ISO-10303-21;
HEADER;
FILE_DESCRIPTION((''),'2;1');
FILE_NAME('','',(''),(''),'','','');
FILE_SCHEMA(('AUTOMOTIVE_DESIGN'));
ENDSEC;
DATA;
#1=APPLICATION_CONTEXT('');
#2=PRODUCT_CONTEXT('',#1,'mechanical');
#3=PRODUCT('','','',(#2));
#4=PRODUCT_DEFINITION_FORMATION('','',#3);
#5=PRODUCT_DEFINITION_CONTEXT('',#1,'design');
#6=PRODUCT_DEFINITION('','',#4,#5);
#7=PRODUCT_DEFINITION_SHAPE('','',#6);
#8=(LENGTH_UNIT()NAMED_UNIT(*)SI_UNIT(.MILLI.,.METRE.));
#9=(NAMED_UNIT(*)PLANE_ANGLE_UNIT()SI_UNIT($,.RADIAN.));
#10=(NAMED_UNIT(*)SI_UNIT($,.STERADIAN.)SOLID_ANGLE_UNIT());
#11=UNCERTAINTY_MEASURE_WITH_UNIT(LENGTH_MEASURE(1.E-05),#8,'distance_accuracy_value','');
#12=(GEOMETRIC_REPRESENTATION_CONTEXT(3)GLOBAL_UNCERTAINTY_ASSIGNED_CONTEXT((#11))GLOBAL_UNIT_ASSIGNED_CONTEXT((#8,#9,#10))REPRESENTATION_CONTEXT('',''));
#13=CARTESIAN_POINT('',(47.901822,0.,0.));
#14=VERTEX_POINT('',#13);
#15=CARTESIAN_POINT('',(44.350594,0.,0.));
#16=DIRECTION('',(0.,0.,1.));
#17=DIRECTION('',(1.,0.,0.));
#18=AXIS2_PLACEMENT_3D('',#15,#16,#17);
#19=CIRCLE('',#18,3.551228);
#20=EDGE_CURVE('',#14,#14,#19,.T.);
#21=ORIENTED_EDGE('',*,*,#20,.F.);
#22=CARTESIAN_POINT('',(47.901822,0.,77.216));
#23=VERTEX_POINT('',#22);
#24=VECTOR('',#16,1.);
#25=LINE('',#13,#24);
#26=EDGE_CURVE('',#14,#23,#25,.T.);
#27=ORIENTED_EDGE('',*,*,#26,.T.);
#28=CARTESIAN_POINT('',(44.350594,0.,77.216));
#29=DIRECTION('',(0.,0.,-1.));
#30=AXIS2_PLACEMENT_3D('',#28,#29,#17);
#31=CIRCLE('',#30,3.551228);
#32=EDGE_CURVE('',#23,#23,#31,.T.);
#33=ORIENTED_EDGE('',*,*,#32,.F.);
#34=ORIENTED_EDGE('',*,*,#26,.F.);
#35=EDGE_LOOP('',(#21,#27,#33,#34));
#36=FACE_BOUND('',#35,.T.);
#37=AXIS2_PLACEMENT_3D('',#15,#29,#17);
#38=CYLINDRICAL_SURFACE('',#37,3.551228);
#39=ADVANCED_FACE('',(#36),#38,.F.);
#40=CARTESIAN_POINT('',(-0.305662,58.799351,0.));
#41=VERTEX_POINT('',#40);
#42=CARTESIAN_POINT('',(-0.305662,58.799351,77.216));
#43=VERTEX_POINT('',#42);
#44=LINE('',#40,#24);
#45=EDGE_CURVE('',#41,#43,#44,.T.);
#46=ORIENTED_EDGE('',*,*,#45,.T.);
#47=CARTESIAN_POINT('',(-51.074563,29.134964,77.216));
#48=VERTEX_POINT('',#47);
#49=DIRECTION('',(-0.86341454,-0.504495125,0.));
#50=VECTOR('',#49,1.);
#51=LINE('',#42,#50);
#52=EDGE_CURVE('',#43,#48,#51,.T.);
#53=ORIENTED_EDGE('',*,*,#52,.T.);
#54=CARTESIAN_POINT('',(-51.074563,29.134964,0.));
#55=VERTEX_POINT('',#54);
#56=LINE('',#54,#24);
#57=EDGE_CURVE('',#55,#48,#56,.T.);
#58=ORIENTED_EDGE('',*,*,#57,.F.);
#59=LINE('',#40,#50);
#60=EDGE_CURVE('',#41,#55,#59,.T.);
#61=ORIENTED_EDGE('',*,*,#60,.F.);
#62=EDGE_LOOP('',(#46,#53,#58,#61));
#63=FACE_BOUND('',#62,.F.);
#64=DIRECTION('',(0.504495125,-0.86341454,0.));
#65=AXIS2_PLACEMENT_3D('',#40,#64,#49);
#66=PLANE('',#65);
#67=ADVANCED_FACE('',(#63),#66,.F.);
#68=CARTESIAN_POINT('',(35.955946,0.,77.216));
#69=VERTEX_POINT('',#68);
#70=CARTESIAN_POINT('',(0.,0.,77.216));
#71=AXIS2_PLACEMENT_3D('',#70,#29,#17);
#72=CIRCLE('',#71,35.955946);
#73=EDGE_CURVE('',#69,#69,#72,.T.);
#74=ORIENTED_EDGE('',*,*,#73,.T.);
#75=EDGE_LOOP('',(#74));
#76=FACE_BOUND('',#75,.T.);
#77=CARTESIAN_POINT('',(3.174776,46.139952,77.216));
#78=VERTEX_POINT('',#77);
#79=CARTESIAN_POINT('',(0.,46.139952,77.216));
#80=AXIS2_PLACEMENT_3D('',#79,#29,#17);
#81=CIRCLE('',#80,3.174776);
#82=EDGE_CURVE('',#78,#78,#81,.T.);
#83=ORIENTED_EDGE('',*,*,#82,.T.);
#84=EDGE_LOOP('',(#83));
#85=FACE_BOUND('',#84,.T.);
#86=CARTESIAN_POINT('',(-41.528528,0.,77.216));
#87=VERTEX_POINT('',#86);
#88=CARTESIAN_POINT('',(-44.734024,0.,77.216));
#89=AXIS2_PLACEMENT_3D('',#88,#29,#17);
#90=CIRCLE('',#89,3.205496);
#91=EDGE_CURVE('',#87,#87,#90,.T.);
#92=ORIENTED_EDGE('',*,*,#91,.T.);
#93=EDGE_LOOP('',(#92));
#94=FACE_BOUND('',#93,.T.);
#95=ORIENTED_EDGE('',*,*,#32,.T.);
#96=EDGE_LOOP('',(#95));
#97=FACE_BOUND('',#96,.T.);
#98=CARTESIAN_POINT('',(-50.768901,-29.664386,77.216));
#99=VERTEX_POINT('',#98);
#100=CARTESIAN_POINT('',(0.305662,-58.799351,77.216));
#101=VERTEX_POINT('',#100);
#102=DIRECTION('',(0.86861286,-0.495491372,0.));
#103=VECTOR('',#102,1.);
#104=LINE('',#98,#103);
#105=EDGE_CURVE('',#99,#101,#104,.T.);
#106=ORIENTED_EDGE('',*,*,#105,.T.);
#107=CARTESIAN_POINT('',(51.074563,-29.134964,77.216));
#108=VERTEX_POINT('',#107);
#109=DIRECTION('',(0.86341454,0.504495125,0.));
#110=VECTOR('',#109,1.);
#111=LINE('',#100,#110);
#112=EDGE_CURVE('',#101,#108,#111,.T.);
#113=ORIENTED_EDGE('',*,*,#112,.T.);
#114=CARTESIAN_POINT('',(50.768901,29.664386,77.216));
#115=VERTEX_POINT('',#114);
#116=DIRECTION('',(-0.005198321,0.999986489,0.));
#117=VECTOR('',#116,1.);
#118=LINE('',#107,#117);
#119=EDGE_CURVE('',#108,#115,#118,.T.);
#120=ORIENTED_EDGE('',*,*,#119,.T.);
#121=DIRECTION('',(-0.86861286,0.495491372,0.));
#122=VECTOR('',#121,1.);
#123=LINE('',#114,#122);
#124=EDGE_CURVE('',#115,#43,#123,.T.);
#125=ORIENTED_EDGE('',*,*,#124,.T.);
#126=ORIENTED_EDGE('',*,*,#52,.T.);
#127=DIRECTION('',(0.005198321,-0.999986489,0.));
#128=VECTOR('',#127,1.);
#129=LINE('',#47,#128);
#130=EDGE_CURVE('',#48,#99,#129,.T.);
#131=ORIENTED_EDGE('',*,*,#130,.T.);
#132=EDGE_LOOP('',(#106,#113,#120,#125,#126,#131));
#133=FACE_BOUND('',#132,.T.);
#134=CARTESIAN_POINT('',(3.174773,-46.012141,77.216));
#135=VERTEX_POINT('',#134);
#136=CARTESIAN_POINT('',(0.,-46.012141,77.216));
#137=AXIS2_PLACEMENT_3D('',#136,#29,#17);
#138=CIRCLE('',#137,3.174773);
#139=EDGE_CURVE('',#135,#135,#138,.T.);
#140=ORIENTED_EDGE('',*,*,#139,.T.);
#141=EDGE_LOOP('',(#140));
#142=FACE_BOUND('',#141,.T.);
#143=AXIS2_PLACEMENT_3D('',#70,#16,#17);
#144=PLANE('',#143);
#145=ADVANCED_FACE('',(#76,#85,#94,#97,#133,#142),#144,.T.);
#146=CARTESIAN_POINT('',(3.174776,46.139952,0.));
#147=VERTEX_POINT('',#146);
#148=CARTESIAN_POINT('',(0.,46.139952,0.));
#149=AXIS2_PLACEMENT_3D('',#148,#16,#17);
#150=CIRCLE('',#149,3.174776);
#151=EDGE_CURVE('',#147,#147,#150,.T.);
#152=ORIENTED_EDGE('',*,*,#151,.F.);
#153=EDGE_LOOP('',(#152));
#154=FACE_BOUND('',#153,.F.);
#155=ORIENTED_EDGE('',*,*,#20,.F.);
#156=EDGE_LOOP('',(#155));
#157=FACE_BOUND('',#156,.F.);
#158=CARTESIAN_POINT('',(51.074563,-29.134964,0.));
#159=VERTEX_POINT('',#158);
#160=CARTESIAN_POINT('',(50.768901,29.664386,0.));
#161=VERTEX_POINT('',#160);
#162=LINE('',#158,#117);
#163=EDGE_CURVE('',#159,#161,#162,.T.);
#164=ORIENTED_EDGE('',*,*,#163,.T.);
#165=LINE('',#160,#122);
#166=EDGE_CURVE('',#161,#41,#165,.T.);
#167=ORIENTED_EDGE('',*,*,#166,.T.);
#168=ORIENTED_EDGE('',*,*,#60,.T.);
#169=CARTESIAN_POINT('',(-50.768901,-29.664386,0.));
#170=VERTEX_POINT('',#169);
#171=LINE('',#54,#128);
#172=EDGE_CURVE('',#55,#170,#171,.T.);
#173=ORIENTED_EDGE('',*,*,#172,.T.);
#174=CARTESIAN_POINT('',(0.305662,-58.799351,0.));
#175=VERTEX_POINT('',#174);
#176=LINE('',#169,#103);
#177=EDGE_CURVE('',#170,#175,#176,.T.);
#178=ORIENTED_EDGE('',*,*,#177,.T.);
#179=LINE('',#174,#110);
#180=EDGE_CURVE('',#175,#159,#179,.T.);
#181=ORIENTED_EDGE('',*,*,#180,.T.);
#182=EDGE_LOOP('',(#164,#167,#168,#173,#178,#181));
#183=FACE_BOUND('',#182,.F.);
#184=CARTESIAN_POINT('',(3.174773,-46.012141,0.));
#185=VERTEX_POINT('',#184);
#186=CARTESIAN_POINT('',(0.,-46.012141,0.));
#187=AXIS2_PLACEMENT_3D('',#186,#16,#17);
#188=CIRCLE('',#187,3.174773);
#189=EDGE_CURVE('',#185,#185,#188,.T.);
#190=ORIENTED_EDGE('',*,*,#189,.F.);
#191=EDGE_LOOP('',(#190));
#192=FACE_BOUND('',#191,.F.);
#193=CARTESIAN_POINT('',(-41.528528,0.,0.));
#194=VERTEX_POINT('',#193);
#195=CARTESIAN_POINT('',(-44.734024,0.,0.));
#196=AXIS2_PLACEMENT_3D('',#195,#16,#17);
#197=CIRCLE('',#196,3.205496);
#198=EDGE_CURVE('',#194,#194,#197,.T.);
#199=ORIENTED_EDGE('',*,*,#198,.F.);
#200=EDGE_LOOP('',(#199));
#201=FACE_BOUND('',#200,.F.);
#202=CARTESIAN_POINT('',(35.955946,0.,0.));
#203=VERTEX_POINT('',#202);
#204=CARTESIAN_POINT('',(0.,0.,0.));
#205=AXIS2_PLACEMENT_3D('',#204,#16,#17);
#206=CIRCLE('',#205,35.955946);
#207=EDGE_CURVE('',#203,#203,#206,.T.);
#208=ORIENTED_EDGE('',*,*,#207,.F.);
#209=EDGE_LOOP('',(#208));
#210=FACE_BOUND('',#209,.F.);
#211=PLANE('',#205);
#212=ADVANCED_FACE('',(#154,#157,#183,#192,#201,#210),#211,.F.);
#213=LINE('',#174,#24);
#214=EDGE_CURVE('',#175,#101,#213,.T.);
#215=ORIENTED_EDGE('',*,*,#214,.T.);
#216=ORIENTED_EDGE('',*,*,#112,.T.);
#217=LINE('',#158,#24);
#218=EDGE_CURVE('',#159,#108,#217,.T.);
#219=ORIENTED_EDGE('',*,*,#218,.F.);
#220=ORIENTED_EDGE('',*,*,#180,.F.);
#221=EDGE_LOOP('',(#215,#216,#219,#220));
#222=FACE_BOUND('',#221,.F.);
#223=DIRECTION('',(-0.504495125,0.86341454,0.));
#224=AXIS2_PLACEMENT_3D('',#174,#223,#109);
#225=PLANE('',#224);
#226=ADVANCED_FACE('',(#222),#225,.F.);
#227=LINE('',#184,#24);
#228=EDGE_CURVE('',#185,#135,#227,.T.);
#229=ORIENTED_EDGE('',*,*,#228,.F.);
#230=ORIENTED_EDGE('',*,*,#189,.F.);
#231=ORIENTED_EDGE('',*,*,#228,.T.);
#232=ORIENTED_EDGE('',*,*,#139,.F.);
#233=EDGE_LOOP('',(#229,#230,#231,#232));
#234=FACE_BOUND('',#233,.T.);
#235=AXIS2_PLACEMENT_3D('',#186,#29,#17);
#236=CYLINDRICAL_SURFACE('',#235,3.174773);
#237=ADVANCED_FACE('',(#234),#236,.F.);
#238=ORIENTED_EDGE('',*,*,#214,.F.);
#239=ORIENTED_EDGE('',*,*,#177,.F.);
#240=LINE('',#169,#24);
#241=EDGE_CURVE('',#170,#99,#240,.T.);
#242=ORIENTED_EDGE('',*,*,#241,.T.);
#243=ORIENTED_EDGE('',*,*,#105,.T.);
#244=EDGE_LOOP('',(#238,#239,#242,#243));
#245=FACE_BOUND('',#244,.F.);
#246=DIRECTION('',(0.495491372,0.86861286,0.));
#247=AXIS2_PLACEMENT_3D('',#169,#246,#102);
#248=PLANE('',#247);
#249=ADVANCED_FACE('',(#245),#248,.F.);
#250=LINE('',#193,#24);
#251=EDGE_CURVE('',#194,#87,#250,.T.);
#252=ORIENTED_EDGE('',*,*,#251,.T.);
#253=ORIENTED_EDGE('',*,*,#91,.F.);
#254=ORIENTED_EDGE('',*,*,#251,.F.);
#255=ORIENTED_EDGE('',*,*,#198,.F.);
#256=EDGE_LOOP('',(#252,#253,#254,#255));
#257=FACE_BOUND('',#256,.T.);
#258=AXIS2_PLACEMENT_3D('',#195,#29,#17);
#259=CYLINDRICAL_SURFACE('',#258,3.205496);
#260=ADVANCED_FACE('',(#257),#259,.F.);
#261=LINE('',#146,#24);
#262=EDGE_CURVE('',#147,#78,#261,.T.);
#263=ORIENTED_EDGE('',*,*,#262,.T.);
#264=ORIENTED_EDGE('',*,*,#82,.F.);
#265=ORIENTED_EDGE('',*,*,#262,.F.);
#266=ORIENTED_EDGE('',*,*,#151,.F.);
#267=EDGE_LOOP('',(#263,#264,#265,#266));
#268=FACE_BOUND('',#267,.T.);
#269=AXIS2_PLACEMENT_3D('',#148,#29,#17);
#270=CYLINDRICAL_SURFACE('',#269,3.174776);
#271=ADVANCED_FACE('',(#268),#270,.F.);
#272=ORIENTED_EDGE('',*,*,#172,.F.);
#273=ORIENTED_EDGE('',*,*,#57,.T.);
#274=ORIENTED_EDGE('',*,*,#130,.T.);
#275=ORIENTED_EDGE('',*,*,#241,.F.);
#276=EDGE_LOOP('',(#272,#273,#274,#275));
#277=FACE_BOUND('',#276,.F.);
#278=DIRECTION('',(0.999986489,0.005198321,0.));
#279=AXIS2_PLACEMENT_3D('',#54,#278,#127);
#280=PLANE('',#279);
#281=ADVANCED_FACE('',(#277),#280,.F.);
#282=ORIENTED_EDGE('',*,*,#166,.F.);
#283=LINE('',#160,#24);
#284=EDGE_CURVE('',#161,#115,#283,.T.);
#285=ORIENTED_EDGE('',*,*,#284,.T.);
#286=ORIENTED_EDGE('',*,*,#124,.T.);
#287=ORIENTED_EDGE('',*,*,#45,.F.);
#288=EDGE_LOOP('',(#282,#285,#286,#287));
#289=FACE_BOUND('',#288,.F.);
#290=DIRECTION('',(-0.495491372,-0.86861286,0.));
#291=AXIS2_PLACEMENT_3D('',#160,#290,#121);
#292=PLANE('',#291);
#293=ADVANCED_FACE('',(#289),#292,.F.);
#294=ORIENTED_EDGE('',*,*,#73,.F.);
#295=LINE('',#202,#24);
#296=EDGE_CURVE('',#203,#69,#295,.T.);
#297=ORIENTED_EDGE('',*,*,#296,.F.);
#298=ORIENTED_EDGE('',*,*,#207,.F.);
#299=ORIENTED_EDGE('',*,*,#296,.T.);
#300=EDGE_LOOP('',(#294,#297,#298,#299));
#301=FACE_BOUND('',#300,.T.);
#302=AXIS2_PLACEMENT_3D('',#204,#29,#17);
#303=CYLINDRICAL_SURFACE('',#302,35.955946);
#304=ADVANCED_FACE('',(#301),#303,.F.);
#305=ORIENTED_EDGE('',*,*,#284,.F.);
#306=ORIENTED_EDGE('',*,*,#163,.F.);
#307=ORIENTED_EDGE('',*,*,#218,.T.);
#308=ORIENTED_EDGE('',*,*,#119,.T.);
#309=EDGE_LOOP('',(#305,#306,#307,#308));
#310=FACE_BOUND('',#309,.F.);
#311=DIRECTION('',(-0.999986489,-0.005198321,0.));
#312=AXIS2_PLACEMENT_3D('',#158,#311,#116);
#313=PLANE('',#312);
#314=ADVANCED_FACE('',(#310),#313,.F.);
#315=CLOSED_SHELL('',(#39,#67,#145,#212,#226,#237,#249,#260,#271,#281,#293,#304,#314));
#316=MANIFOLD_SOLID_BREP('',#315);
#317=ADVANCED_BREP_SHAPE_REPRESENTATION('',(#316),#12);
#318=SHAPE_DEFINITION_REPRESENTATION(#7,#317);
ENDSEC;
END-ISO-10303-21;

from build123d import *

# Parameters (mm, degrees)
F1_DEPTH = 77.216
F2_R     = 35.955946
F3_DEPTH = 87.884
F4_R     = 3.205496
F4_R_2   = 3.551228
F4_R_3   = 3.174776
F4_R_4   = 3.174773
F5_DEPTH = 95.504


with BuildPart() as f1:
    # F0 (on Top) → F1 (new body)
    with BuildSketch(Plane.XY):
        Polygon((0.305662, -58.799351), (51.074563, -29.134964), (50.768901, 29.664386), (-0.305662, 58.799351), (-51.074563, 29.134964), (-50.768901, -29.664386), align=None)
    extrude(amount=F1_DEPTH)

    # F2 (on Top) → F3 (cut)
    with BuildSketch(Plane.XY):
        Circle(F2_R)
    extrude(amount=F3_DEPTH, mode=Mode.SUBTRACT)

    # F4 (on Top) → F5 (cut)
    with BuildSketch(Plane.XY):
        with Locations((-44.734024, 0)):
            Circle(F4_R)
        with Locations((44.350594, 0)):
            Circle(F4_R_2)
        with Locations((0, 46.139952)):
            Circle(F4_R_3)
        with Locations((0, -46.012141)):
            Circle(F4_R_4)
    extrude(amount=F5_DEPTH, mode=Mode.SUBTRACT)


solid = f1.part
